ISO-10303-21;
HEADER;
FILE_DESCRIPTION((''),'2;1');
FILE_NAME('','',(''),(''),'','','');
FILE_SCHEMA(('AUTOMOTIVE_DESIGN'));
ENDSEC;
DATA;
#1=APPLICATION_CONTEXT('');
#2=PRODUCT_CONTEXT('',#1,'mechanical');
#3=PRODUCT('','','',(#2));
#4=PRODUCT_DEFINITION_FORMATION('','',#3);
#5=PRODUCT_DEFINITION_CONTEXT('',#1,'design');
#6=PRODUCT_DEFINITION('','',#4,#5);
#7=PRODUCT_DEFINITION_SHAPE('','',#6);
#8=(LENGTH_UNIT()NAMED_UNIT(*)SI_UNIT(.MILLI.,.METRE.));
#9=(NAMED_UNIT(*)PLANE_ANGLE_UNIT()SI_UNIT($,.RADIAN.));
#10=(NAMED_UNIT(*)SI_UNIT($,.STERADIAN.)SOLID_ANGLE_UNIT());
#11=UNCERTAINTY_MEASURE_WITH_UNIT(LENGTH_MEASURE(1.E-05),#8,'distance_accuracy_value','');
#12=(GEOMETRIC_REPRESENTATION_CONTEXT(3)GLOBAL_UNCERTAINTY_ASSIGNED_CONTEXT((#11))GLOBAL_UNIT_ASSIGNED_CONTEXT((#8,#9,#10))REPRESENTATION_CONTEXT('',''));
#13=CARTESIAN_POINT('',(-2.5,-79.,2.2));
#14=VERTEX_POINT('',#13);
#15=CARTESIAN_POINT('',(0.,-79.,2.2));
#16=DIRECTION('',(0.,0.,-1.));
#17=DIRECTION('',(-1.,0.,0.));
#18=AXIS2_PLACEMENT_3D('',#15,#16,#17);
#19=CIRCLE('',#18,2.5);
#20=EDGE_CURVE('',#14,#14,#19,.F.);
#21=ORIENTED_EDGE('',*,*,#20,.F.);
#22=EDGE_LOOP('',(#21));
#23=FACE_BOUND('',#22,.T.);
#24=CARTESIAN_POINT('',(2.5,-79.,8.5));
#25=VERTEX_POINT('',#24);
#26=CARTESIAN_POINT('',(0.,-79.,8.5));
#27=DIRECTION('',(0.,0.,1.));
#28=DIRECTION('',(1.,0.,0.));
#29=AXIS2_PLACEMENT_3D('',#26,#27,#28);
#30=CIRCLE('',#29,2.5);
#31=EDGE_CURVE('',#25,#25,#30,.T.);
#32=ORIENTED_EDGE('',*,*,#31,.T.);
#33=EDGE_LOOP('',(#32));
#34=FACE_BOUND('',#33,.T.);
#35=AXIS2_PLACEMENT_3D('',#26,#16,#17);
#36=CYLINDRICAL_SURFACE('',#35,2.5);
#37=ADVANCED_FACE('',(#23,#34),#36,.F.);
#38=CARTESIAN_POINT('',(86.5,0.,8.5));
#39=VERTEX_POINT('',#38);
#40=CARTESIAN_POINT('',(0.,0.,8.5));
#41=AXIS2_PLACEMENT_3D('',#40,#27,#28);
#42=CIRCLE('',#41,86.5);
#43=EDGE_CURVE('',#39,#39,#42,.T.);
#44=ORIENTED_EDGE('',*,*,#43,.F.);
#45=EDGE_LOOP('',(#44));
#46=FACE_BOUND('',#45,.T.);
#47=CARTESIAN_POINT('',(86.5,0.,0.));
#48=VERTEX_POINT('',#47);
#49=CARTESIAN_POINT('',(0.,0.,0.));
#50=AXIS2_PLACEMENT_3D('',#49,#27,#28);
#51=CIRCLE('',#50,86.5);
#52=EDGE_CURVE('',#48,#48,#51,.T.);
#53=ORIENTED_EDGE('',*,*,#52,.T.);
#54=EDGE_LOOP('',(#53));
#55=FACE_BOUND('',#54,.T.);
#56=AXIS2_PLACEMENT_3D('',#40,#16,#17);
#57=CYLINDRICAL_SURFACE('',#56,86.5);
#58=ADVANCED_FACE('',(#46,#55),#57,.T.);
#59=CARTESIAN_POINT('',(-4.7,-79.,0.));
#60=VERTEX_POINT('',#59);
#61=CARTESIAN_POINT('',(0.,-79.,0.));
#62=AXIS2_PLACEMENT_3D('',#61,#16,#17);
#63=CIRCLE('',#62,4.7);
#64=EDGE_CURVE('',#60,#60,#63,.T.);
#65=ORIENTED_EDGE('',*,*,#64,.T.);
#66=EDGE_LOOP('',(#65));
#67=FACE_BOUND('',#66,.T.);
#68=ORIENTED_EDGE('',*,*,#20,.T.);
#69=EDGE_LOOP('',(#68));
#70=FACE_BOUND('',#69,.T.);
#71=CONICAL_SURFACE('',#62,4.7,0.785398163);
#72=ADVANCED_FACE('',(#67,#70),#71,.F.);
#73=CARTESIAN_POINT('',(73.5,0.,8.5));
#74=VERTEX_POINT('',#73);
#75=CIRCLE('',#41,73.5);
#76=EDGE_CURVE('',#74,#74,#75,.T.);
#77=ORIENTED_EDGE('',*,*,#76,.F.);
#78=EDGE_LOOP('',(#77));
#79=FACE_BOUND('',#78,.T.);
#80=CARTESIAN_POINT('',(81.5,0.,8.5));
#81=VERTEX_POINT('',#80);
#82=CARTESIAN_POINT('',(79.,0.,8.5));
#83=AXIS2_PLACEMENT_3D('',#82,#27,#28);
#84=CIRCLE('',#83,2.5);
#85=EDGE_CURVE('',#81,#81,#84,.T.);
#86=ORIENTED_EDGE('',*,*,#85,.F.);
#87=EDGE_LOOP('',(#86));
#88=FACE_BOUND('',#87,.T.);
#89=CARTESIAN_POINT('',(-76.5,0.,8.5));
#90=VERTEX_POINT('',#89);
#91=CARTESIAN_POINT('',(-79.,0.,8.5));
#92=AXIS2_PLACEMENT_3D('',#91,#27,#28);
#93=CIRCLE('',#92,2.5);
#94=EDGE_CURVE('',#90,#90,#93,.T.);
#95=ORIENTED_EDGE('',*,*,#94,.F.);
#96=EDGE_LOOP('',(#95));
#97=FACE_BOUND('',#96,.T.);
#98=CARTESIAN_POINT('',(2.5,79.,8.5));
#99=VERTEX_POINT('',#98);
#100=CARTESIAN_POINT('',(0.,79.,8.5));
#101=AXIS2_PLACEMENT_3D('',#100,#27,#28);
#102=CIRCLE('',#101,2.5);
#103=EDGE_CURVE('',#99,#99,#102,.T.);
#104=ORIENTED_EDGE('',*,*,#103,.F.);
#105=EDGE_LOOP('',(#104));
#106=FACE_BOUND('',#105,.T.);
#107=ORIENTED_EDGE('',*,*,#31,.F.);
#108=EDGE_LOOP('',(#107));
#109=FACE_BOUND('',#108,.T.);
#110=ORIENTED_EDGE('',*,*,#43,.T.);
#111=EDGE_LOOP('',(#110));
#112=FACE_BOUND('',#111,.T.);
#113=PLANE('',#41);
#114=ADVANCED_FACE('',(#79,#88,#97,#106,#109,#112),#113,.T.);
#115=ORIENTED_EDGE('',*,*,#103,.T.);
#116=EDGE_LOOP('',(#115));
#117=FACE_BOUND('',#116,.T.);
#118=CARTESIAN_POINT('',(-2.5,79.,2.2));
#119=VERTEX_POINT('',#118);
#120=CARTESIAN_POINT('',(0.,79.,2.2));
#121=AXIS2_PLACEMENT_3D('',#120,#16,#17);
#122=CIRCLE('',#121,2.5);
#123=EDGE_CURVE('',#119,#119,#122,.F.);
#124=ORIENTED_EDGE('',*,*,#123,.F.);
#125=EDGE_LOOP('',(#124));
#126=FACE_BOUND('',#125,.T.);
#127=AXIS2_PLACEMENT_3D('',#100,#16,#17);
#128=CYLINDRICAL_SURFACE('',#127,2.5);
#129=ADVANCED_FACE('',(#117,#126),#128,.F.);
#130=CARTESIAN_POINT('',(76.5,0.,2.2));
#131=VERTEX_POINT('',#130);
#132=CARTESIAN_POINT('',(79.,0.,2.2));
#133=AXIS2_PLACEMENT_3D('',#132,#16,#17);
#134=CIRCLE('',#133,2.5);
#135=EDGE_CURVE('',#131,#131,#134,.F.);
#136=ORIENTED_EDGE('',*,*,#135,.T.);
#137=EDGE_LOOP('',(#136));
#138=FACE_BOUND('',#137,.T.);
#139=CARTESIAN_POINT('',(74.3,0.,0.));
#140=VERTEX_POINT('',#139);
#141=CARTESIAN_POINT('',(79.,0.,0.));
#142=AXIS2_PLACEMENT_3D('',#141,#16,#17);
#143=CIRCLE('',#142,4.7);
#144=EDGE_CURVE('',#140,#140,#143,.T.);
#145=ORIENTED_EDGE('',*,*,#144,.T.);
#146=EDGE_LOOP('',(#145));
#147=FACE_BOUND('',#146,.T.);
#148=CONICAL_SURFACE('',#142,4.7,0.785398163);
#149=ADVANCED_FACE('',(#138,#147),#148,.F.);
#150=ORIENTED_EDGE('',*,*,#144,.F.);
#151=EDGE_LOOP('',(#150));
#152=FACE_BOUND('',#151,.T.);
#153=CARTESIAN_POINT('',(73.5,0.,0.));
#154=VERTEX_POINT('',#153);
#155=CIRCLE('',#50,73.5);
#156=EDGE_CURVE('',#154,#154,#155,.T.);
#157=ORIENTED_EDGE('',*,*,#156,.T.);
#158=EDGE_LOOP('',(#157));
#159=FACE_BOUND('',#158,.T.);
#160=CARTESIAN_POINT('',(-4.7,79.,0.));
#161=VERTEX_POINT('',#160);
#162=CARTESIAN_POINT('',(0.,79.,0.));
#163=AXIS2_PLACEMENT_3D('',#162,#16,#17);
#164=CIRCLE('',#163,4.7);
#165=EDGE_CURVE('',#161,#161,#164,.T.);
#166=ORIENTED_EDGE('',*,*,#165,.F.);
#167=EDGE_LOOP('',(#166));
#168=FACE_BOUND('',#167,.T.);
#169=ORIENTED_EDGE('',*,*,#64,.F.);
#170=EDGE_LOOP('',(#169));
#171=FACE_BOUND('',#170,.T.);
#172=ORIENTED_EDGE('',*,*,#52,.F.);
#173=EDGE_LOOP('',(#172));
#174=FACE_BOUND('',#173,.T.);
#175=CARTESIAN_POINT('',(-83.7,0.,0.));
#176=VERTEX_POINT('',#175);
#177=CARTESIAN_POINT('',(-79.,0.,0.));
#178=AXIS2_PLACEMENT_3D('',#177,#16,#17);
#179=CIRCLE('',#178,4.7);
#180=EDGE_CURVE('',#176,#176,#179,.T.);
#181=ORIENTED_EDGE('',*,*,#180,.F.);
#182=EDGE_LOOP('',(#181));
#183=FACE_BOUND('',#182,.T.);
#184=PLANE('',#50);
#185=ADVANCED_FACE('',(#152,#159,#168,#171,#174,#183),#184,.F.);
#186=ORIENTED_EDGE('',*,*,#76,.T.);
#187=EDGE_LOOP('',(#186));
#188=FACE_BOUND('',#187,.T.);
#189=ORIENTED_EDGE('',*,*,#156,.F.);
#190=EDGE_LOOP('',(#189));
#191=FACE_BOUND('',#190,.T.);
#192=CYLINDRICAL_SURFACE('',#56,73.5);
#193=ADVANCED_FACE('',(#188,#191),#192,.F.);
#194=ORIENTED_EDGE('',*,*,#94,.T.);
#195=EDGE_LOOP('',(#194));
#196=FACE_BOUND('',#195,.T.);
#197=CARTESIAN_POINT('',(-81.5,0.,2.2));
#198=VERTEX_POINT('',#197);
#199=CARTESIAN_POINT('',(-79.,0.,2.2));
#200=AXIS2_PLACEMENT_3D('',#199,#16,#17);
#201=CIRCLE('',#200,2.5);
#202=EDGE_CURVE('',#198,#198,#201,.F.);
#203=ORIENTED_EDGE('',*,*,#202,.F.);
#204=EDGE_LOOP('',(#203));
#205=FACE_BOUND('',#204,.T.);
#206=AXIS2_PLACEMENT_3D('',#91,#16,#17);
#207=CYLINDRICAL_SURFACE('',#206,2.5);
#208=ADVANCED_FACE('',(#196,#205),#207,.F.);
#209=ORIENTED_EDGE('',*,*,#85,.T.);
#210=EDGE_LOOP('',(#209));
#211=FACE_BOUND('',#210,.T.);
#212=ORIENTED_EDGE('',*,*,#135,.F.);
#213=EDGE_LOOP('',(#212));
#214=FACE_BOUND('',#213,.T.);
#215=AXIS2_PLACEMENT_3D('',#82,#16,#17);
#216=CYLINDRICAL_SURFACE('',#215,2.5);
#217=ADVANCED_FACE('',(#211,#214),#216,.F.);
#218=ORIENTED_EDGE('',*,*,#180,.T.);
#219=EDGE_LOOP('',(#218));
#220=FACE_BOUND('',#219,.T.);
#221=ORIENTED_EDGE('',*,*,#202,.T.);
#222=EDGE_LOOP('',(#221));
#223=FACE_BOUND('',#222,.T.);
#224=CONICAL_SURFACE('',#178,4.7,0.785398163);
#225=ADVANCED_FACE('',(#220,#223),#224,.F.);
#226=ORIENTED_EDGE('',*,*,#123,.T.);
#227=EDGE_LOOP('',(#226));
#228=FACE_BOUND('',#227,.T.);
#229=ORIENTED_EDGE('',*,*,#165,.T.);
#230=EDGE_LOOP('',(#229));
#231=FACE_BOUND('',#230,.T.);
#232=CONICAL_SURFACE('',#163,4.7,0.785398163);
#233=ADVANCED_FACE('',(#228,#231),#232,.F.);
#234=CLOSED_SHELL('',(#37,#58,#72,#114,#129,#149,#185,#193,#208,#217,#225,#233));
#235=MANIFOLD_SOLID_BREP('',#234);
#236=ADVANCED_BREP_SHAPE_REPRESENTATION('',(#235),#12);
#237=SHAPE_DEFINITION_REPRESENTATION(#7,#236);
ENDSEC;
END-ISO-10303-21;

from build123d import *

# Parameters (mm, degrees)
SKETCH_1_R                   = 86.5
SKETCH_1_R_2                 = 73.5
SKETCH_1_R_3                 = 2.5
EXTRUDE_1_DEPTH              = 8.5
HOLE_WIZARD_M4_1_D           = 4.8
HOLE_WIZARD_M4_1_CSINK_D     = 9.4
HOLE_WIZARD_M4_1_CSINK_ANGLE = 90


with BuildPart() as part:
    # ｽｹｯﾁ1 → ﾎﾞｽ - 押し出し1 (new body)
    with BuildSketch(Plane.XY):
        Circle(SKETCH_1_R)
        Circle(SKETCH_1_R_2, mode=Mode.SUBTRACT)
        with Locations((0, 79)):
            Circle(SKETCH_1_R_3, mode=Mode.SUBTRACT)
        with Locations((79, 0)):
            Circle(SKETCH_1_R_3, mode=Mode.SUBTRACT)
        with Locations((0, -79)):
            Circle(SKETCH_1_R_3, mode=Mode.SUBTRACT)
        with Locations((-79, 0)):
            Circle(SKETCH_1_R_3, mode=Mode.SUBTRACT)
    extrude(amount=EXTRUDE_1_DEPTH)

    # M4 丸皿ねじ用皿穴1 (through all)
    with Locations(Plane(origin=(0, 0, 0), x_dir=(-1, 0, 0), z_dir=(0, 0, -1))):
        with Locations((-79, 0), (79, 0), (0, 79), (0, -79)):
            CounterSinkHole(HOLE_WIZARD_M4_1_D / 2, HOLE_WIZARD_M4_1_CSINK_D / 2, counter_sink_angle=HOLE_WIZARD_M4_1_CSINK_ANGLE)


solid = part.part
